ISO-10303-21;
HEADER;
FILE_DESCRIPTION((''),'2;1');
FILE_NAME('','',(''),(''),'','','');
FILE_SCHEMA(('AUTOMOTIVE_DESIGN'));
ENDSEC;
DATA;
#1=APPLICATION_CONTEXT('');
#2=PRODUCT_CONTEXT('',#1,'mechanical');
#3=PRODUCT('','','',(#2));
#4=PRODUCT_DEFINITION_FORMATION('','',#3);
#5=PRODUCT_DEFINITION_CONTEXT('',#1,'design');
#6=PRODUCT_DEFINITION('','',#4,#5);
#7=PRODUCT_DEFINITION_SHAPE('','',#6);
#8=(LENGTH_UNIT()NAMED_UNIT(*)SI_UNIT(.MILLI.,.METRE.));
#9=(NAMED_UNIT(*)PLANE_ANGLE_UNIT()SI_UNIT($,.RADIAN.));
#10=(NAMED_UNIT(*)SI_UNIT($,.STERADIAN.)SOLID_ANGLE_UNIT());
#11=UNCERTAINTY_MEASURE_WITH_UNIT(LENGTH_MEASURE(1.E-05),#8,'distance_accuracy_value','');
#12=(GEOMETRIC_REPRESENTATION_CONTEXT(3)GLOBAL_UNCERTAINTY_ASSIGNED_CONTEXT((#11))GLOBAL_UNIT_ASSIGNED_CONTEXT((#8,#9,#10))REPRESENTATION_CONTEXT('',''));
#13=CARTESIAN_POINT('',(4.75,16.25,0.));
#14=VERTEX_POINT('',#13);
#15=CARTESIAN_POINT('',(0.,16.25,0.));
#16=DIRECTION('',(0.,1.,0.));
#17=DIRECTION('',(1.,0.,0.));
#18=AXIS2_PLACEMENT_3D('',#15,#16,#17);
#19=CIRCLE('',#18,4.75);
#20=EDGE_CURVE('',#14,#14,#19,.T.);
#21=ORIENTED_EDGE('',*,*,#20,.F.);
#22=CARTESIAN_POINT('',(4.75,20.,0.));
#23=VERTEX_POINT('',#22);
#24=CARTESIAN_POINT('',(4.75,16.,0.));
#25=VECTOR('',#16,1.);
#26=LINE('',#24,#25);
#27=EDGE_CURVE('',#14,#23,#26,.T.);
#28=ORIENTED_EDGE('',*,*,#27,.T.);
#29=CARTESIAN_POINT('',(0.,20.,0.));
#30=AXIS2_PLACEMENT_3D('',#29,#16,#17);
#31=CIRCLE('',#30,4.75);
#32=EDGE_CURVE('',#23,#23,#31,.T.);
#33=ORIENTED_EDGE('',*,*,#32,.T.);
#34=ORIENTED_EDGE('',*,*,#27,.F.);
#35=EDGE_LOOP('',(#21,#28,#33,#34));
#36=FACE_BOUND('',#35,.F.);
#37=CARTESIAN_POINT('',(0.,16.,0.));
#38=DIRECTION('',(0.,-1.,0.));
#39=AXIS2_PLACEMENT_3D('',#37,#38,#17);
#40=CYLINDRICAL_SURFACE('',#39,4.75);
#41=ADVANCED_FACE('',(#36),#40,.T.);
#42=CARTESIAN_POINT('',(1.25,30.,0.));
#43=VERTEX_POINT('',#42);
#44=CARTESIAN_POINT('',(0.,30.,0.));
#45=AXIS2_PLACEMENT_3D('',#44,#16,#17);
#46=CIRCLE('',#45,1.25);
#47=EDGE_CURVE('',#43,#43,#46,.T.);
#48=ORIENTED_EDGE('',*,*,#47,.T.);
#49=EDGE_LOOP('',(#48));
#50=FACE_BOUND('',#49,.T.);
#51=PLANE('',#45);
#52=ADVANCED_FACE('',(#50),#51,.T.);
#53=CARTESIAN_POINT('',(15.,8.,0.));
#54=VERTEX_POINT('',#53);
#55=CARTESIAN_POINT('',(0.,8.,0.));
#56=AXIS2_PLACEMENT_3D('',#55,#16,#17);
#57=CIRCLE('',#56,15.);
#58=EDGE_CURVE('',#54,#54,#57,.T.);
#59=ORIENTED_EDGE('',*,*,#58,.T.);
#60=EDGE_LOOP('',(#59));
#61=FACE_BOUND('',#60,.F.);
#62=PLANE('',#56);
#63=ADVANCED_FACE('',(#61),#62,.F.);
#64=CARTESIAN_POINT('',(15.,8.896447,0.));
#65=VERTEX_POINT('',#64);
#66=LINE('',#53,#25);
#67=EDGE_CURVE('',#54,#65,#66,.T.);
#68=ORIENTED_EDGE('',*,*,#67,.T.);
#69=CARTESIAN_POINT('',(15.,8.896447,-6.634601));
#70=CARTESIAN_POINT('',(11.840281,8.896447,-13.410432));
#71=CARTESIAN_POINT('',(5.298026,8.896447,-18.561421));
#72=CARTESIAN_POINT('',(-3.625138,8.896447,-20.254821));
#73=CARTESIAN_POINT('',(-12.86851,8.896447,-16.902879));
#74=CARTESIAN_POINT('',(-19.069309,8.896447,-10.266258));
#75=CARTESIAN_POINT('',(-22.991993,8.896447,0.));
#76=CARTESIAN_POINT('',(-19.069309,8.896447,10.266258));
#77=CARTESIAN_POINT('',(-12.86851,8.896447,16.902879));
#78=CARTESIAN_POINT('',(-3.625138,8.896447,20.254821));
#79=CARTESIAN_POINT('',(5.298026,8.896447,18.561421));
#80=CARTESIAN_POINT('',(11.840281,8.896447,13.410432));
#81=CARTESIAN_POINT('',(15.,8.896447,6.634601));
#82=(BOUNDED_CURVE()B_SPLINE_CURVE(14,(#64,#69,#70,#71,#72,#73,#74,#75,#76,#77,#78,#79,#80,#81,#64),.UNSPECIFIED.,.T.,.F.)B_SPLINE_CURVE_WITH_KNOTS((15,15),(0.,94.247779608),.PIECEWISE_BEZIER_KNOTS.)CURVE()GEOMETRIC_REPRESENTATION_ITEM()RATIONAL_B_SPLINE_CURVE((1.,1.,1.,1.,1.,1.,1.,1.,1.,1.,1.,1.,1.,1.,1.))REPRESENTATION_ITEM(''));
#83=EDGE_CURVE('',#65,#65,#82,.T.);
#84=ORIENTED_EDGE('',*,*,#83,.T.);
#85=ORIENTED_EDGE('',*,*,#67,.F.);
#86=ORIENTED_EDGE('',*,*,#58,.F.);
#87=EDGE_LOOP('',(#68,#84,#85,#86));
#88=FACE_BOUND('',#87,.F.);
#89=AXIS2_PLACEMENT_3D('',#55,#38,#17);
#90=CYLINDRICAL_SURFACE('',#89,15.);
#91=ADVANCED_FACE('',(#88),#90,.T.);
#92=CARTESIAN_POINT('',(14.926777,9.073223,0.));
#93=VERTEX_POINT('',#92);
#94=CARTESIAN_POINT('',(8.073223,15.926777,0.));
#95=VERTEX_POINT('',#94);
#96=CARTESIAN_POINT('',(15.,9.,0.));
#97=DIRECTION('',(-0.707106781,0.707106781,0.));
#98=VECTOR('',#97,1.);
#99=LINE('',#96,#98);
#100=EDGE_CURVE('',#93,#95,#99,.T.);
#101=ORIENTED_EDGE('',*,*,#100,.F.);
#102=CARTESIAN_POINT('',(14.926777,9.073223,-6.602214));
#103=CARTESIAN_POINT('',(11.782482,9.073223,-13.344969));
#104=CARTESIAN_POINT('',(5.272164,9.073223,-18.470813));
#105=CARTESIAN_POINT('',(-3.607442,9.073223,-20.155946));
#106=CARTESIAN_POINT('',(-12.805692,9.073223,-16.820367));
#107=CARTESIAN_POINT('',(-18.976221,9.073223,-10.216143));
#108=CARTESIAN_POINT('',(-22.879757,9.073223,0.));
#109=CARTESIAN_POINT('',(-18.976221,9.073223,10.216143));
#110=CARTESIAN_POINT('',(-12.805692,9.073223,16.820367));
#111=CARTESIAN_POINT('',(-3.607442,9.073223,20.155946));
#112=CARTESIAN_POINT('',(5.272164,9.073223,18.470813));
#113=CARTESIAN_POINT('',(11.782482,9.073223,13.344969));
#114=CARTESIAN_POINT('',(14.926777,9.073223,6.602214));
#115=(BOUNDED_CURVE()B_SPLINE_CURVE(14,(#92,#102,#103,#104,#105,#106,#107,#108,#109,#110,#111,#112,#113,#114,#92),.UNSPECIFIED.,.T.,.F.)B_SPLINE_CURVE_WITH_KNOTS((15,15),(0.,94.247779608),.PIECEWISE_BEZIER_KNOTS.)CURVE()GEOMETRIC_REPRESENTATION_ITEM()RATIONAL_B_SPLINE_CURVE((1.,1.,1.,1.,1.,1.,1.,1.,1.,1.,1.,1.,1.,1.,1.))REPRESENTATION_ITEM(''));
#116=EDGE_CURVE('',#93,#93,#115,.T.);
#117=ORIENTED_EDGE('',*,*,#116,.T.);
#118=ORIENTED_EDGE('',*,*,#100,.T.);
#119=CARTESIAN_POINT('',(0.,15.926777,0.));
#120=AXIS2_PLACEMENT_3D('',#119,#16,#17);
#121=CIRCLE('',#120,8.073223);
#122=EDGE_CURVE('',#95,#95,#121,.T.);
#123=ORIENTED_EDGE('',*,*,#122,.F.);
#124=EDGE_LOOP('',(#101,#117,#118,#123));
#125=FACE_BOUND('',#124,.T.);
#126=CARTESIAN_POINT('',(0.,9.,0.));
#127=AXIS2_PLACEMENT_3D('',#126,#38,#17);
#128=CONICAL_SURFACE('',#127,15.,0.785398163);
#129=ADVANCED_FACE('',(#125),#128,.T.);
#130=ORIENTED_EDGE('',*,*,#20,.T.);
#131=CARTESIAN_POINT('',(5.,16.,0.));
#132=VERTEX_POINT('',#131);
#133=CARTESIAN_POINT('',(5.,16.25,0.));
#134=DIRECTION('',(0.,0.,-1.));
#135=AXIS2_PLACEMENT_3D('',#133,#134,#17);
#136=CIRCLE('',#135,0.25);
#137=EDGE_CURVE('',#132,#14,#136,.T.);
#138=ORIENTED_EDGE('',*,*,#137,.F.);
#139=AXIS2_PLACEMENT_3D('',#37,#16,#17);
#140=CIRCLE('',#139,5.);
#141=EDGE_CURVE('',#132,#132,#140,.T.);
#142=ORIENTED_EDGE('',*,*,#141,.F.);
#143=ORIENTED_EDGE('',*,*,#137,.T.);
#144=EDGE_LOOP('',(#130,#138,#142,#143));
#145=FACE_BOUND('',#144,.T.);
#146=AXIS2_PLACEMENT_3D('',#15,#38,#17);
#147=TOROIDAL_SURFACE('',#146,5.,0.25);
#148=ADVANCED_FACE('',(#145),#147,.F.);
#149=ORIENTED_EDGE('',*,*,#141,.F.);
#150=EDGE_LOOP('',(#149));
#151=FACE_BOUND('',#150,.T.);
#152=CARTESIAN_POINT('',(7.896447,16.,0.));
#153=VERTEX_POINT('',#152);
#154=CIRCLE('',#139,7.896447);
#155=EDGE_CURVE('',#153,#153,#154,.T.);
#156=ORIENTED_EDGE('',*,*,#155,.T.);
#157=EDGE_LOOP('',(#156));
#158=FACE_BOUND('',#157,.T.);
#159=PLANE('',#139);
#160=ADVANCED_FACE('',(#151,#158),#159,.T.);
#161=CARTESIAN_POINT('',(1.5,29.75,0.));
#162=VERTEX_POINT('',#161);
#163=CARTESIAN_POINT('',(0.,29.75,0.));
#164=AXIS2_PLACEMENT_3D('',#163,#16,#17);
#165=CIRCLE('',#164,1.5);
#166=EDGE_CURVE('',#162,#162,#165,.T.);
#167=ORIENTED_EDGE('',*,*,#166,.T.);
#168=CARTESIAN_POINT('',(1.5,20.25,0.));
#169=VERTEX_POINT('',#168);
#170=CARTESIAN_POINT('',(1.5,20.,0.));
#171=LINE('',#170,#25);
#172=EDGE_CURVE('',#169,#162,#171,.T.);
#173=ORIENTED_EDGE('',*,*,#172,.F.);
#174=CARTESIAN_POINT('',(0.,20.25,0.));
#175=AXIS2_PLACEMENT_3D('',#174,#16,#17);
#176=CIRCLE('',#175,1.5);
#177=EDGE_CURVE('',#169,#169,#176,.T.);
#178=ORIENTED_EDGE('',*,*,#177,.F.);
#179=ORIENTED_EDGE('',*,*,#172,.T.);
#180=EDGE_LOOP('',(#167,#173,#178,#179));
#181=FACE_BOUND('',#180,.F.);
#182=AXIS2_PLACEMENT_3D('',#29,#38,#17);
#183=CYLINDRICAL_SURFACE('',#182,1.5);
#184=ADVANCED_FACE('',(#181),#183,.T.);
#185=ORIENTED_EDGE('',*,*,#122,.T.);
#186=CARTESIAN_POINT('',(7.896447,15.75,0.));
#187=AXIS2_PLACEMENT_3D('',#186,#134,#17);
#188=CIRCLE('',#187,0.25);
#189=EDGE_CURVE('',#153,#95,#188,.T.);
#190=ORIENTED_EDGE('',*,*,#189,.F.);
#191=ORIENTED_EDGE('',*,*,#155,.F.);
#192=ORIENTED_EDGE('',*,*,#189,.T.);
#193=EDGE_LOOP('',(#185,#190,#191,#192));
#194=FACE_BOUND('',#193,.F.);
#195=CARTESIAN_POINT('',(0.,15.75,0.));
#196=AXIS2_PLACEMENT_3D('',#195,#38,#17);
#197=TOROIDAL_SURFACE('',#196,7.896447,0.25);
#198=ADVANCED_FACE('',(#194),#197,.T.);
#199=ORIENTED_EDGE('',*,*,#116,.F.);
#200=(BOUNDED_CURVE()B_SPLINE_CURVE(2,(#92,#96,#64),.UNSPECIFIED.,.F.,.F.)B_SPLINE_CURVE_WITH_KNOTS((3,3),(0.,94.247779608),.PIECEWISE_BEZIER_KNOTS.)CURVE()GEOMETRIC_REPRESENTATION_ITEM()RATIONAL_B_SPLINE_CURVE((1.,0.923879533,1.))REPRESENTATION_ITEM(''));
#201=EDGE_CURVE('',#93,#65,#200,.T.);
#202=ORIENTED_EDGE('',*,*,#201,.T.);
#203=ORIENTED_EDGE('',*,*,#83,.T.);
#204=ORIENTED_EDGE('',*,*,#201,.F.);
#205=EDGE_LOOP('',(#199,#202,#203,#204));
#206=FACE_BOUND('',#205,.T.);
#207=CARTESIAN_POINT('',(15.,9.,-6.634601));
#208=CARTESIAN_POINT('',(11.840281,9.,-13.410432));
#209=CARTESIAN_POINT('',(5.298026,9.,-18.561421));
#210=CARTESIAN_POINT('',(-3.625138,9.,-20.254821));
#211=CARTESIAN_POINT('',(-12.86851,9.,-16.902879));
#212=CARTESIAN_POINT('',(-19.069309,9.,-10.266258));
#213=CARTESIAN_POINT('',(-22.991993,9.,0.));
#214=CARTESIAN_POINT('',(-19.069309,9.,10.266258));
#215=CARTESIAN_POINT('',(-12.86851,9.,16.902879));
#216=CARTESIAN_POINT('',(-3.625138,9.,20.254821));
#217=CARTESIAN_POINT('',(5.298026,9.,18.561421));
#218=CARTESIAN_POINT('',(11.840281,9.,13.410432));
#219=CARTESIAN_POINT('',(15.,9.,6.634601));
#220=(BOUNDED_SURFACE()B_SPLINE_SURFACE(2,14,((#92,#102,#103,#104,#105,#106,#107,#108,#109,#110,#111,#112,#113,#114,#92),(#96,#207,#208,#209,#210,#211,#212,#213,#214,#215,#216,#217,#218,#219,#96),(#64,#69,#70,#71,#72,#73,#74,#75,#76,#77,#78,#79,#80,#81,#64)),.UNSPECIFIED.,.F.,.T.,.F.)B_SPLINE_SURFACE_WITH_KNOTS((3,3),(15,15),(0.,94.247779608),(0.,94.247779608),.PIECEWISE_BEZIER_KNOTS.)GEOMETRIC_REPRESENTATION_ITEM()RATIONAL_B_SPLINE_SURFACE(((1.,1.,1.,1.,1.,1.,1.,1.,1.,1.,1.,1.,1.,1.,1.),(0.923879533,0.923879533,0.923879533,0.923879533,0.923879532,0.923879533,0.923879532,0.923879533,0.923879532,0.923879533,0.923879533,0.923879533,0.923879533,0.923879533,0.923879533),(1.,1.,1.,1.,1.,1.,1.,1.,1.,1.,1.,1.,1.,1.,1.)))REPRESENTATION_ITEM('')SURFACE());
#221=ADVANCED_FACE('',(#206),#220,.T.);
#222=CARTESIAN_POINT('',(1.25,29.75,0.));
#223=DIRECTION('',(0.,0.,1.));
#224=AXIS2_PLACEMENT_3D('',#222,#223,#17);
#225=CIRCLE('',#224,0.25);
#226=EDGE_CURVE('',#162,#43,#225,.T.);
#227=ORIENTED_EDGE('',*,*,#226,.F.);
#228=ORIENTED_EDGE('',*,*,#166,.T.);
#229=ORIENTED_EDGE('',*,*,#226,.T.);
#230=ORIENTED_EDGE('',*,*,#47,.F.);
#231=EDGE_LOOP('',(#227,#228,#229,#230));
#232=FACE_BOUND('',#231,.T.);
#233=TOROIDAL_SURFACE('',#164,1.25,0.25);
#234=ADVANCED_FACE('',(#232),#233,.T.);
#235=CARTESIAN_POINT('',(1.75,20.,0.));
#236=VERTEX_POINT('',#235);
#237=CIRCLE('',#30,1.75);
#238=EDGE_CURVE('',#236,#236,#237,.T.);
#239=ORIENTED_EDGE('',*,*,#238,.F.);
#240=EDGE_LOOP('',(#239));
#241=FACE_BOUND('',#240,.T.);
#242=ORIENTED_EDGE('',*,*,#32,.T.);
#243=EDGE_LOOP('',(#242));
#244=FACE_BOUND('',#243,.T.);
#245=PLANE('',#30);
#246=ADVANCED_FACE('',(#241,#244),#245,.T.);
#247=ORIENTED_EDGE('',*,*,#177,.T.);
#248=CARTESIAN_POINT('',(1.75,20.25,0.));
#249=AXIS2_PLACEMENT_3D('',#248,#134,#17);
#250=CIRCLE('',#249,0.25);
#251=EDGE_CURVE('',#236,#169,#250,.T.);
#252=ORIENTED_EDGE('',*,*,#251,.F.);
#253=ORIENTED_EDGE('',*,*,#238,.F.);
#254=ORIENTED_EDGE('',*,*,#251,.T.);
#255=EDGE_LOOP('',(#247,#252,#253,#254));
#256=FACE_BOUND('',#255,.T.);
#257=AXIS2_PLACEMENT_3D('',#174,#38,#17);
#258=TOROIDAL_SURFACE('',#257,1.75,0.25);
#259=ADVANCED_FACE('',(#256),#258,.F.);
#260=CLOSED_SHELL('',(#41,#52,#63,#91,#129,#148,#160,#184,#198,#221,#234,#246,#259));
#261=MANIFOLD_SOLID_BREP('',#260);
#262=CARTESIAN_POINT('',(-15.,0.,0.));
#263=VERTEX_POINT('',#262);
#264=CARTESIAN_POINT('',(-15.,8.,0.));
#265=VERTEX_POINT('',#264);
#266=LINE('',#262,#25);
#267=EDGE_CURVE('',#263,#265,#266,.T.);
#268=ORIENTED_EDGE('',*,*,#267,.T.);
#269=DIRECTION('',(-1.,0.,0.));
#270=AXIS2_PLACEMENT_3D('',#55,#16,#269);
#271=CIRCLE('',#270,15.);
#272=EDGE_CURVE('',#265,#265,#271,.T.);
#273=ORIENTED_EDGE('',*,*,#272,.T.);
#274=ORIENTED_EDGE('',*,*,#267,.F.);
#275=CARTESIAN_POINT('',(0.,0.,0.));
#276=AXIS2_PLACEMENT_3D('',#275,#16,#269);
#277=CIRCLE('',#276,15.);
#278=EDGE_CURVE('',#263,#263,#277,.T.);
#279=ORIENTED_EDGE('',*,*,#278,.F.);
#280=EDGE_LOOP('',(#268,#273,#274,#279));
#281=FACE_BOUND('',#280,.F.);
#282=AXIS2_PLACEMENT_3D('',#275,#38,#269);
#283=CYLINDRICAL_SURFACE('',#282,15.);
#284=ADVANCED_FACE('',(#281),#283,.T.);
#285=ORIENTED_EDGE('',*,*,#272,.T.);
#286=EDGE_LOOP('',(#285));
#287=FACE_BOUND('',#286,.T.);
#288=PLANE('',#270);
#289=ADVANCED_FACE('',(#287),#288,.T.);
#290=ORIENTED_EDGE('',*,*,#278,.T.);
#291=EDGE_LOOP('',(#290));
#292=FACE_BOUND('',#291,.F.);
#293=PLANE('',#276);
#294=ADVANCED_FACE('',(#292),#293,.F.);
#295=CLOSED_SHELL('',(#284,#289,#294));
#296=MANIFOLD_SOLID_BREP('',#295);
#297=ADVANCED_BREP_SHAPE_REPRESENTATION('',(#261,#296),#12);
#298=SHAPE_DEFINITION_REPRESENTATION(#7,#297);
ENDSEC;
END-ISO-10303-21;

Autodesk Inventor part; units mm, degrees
ref_plane "YZ Plane" through (0, 0, 0) normal (1, 0, 0) x (0, 1, 0)
ref_plane "XZ Plane" through (0, 0, 0) normal (0, 1, 0) x (-1, 0, 0)
ref_plane "XY Plane" through (0, 0, 0) normal (0, 0, 1) x (1, 0, 0)
sketch "Szkic1" plane through (0, 0, 0) normal (0, 1, 0) x (-1, 0, 0)
  circle A0 centre (0, 0) radius 15
  dimension "d0" = 30
extrude "Wyciągnięcie proste1" add sketch "Szkic1" along normal blind 8
sketch "Szkic2" plane through (0, 8, 0) normal (0, 1, 0) x (1, 0, 0)
  circle A0 centre (0, 0) radius 15 projected
extrude "Wyciągnięcie proste2" add sketch "Szkic2" along normal blind 8 separate body
chamfer "Faza1" distance 7 angle 45 1 edges at (-15, 16, 0)
sketch "Szkic3" plane through (0, 16, 0) normal (0, 1, 0) x (1, 0, 0)
  circle A0 centre (0, 0) radius 8 projected
  circle A1 centre (0, 0) radius 4.75
  dimension "d8" = 9.5
extrude "Wyciągnięcie proste3" add sketch "Szkic3" along normal blind 4 contours A1 bodies 2
fillet "Zaokrąglenie1" radius 0.25 1 edges at (-4.75, 16, 0)
fillet "Zaokrąglenie2" radius 0.25 2 edges at (-15, 9, 0) (-8, 16, 0)
sketch "Szkic4" plane through (0, 20, 0) normal (0, 1, 0) x (1, 0, 0)
  circle A0 centre (0, 0) radius 4.75 projected
  circle A1 centre (0, 0) radius 1.5
  dimension "d13" = 3
extrude "Wyciągnięcie proste4" add sketch "Szkic4" along normal blind 10 contours A1 bodies 2
fillet "Zaokrąglenie3" radius 0.25 2 edges at (-1.5, 20, 0) (-1.5, 30, 0)
properties part number "Wirnik" material "Stal nierdzewna"
